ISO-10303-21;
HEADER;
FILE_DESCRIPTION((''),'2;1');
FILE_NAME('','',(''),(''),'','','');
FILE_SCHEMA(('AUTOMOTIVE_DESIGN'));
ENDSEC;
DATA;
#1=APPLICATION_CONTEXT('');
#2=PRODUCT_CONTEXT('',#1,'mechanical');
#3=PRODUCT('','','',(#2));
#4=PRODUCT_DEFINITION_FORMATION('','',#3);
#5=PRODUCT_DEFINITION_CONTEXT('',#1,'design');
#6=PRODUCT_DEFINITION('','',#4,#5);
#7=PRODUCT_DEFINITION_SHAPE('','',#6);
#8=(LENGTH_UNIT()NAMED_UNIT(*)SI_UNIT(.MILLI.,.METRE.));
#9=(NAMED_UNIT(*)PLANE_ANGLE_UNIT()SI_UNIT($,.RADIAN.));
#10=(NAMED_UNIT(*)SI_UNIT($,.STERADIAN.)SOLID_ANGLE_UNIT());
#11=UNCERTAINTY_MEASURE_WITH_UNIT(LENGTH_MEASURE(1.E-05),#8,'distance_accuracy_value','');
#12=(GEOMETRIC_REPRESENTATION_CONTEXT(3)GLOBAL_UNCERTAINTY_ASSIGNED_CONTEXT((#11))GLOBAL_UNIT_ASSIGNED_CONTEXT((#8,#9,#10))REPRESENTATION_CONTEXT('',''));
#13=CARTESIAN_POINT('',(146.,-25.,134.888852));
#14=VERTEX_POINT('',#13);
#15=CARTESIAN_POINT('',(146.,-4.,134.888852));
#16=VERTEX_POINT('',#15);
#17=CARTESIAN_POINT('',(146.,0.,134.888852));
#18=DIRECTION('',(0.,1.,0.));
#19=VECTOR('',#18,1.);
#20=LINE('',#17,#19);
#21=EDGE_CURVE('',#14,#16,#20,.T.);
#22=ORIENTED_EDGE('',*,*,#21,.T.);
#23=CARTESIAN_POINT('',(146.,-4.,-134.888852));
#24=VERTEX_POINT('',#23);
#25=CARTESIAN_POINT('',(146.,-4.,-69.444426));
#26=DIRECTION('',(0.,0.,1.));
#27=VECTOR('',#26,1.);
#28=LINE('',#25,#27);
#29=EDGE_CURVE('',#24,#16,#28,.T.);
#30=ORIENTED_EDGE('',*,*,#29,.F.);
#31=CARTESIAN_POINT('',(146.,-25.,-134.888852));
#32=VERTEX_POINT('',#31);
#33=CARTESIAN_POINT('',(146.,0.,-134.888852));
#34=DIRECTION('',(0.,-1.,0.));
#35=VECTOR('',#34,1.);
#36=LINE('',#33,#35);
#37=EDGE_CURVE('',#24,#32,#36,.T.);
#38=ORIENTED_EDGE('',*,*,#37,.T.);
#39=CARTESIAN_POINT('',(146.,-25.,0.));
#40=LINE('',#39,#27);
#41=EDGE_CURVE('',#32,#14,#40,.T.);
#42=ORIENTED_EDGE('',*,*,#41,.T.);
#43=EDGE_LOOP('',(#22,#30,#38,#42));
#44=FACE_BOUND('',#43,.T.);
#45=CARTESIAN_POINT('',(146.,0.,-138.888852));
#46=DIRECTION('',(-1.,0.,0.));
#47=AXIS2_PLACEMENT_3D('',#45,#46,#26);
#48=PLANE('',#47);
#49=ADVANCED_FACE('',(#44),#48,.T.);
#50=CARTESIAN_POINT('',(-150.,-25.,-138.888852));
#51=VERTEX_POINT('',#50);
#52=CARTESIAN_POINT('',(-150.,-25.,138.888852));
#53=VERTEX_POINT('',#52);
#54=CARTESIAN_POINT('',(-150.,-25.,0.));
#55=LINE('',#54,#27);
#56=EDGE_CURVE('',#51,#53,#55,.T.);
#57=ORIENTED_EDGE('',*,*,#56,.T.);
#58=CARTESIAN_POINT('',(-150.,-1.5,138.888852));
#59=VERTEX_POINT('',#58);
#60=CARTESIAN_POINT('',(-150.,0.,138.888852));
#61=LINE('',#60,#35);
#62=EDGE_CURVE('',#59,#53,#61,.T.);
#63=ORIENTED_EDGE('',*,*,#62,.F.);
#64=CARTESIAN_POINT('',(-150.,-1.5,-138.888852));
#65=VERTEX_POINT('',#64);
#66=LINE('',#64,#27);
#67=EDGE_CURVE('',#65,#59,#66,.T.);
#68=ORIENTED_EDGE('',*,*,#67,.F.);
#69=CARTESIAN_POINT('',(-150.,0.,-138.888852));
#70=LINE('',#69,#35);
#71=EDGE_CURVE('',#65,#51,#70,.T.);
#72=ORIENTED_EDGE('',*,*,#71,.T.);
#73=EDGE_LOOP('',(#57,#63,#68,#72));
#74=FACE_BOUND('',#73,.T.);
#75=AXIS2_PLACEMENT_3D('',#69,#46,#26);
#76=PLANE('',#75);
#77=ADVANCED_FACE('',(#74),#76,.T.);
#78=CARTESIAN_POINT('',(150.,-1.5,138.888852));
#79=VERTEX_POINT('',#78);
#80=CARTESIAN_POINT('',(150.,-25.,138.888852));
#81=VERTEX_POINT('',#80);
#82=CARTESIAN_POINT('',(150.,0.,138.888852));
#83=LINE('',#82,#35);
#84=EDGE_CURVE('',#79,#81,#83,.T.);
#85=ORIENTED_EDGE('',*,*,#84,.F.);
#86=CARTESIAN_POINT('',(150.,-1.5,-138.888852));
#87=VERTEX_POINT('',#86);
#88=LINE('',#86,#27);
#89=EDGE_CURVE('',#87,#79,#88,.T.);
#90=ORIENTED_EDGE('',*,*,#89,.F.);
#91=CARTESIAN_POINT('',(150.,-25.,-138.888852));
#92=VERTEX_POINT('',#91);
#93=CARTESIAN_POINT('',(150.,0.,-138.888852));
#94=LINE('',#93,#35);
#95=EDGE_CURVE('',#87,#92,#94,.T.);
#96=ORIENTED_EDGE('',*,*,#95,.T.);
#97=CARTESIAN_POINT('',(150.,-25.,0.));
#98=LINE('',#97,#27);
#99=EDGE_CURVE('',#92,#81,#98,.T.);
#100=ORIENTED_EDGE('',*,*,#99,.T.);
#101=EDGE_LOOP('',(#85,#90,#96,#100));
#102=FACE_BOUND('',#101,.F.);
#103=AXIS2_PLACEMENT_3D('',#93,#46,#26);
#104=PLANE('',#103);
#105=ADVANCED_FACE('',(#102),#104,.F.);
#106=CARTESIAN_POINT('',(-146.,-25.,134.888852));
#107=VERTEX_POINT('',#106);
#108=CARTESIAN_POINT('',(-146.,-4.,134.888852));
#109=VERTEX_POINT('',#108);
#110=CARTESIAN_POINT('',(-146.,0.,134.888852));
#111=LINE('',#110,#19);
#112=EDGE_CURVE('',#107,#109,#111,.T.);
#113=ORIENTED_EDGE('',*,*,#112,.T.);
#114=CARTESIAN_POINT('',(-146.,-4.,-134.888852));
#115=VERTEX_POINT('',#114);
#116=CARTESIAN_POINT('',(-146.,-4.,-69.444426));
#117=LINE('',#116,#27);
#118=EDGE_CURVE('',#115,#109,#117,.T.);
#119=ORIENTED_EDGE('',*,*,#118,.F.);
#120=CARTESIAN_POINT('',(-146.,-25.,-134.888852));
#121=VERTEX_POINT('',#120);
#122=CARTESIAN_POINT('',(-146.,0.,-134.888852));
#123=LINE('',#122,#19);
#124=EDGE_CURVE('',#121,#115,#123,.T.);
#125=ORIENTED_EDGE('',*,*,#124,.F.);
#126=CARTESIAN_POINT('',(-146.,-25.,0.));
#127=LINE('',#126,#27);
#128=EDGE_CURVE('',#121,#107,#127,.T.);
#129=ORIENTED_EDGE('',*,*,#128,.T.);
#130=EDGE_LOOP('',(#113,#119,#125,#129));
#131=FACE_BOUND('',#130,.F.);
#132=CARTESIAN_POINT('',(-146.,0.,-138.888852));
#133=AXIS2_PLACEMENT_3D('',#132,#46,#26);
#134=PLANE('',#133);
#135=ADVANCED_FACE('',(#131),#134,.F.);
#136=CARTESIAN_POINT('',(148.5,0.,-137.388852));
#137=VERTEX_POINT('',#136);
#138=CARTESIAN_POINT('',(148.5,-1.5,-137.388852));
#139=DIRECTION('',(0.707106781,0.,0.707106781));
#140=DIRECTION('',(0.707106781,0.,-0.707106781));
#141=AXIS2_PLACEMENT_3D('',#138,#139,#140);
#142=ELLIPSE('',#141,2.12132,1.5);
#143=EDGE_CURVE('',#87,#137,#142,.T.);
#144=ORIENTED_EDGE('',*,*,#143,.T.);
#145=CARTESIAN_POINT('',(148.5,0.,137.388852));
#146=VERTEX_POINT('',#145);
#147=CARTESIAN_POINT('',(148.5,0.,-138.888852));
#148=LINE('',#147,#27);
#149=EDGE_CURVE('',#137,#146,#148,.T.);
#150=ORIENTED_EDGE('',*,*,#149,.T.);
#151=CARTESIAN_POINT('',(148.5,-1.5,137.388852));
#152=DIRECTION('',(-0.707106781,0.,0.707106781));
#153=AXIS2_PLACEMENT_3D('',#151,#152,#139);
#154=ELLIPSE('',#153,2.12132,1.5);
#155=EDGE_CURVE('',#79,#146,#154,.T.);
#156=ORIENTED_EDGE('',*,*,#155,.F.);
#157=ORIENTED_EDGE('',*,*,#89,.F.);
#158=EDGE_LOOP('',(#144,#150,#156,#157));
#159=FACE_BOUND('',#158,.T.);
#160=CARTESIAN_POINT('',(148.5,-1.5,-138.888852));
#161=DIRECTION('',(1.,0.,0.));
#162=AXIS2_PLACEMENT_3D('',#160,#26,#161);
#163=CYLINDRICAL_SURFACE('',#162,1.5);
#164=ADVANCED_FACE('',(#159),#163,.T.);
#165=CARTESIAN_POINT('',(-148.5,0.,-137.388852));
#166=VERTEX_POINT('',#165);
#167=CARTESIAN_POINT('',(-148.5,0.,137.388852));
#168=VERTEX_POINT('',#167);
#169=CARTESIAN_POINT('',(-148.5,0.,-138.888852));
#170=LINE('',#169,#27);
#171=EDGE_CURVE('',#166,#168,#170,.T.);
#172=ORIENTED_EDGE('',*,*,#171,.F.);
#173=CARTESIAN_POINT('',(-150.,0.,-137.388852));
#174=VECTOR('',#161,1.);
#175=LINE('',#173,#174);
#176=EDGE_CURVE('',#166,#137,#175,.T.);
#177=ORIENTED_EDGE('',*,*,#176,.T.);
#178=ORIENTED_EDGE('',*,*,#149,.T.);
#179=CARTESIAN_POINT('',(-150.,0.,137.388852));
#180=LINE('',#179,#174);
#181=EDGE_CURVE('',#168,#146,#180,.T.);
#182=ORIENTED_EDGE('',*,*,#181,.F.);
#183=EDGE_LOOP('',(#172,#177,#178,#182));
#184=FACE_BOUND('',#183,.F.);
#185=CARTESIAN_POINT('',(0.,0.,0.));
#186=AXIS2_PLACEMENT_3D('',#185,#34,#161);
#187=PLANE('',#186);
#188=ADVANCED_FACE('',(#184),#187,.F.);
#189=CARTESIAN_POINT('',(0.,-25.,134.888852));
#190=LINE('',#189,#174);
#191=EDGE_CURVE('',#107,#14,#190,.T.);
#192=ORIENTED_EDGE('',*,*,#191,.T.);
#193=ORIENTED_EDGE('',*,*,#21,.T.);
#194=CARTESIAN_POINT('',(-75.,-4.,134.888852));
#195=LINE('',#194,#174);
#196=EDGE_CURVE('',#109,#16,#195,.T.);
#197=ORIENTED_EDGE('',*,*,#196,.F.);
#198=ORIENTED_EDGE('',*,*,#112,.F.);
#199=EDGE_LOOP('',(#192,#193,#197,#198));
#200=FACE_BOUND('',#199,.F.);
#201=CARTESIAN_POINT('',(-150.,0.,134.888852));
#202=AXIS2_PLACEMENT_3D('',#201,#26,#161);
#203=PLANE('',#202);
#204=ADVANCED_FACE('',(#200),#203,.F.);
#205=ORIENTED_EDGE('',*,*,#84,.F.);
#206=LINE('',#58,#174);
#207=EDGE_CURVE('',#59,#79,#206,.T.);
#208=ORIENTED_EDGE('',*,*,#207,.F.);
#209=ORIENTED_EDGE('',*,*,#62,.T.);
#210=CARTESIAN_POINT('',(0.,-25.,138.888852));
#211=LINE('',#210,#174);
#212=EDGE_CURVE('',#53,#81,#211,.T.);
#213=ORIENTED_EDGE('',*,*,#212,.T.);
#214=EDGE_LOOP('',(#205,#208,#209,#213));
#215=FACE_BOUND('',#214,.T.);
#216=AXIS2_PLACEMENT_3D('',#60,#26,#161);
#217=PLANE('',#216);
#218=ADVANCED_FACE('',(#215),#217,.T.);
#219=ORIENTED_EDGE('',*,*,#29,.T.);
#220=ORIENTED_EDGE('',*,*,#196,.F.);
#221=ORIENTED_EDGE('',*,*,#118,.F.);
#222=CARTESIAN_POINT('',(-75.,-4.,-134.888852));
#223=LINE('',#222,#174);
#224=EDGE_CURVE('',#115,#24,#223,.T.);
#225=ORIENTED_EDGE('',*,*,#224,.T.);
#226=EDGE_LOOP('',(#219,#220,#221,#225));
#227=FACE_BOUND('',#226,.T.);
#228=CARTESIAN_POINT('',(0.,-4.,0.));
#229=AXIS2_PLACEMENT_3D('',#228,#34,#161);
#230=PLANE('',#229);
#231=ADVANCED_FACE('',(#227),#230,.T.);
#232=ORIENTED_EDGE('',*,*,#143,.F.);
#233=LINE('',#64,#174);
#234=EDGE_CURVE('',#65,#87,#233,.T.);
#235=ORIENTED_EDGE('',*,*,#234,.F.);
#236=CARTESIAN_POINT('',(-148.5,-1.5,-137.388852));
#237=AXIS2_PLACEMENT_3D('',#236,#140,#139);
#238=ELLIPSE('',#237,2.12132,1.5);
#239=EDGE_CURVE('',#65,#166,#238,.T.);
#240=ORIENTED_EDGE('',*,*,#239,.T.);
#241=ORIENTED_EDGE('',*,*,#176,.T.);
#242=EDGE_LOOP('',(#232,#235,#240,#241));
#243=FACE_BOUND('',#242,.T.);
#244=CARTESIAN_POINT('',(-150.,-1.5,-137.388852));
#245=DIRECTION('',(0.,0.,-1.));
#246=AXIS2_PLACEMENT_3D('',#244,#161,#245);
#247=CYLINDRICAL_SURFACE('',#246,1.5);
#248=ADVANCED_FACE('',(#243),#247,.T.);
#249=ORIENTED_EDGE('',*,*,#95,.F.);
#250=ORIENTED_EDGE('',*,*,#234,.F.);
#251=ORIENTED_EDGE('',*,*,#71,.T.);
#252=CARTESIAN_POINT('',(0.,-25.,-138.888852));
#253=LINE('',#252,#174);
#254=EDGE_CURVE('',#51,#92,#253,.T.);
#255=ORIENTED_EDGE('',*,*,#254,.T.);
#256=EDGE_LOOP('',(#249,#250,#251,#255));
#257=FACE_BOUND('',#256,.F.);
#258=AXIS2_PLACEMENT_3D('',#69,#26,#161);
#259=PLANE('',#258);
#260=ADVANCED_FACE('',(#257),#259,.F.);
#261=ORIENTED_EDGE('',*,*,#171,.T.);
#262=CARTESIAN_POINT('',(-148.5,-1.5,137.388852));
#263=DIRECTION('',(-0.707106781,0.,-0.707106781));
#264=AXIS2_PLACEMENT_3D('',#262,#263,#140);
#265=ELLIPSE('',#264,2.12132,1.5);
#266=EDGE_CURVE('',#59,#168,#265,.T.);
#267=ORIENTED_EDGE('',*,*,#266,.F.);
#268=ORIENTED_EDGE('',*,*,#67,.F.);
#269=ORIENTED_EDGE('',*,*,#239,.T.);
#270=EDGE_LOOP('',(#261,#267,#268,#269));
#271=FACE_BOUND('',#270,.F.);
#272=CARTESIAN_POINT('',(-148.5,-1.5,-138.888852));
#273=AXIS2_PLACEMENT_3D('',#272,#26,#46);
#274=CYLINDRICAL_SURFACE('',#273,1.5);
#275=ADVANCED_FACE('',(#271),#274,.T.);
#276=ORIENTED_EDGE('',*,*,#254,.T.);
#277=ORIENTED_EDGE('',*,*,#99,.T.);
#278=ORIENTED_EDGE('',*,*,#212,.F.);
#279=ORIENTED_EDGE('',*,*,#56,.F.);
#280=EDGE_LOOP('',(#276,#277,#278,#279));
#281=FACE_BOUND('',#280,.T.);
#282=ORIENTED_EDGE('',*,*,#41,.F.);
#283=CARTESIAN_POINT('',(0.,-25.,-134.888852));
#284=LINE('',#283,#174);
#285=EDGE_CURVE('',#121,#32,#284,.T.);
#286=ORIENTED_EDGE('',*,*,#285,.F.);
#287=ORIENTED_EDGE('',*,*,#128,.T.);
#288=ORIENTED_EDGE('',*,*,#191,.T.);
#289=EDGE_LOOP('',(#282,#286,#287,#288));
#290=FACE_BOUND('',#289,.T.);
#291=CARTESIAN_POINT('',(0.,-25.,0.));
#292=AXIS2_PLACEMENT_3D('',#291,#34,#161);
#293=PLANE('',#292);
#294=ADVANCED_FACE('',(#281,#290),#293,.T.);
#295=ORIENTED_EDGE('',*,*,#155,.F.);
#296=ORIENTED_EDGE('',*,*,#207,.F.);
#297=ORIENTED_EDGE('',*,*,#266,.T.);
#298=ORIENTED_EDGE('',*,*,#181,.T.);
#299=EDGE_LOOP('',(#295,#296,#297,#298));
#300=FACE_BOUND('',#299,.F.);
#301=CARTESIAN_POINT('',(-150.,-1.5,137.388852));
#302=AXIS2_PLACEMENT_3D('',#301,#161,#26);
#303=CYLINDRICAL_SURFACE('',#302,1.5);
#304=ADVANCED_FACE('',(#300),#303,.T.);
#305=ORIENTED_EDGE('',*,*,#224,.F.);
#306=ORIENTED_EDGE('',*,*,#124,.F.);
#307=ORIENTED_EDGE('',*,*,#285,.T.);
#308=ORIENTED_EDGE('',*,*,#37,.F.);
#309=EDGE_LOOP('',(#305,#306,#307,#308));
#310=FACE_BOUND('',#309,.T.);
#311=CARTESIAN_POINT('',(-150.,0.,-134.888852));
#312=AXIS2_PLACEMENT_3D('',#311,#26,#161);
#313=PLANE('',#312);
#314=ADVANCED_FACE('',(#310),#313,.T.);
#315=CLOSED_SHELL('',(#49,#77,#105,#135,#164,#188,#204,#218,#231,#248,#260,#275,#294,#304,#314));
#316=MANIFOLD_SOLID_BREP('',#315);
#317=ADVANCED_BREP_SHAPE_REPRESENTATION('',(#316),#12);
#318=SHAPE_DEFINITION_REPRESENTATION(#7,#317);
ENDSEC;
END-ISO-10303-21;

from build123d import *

# Parameters (mm, degrees)
F0_W     = 300
F0_H     = 277.777704
F1_DEPTH = 25
F2_T     = -4
F3_R     = 1.5


with BuildPart() as f1:
    # F0 (on Front) → F1 (new body)
    with BuildSketch(Plane.XZ):
        Rectangle(F0_W, F0_H)
    extrude(amount=F1_DEPTH)

    # F2
    f2_openings = [f1.faces().sort_by_distance(p)[0] for p in [
        (0, -25, 0),
    ]]
    offset(amount=F2_T, openings=f2_openings)

    # F3
    f3_edges = [f1.edges().sort_by_distance(p)[0] for p in [
        (0, 0, -138.888852),
        (150, 0, 0),
        (0, 0, 138.888852),
        (-150, 0, 0),
    ]]
    fillet(f3_edges, radius=F3_R)


solid = f1.part
